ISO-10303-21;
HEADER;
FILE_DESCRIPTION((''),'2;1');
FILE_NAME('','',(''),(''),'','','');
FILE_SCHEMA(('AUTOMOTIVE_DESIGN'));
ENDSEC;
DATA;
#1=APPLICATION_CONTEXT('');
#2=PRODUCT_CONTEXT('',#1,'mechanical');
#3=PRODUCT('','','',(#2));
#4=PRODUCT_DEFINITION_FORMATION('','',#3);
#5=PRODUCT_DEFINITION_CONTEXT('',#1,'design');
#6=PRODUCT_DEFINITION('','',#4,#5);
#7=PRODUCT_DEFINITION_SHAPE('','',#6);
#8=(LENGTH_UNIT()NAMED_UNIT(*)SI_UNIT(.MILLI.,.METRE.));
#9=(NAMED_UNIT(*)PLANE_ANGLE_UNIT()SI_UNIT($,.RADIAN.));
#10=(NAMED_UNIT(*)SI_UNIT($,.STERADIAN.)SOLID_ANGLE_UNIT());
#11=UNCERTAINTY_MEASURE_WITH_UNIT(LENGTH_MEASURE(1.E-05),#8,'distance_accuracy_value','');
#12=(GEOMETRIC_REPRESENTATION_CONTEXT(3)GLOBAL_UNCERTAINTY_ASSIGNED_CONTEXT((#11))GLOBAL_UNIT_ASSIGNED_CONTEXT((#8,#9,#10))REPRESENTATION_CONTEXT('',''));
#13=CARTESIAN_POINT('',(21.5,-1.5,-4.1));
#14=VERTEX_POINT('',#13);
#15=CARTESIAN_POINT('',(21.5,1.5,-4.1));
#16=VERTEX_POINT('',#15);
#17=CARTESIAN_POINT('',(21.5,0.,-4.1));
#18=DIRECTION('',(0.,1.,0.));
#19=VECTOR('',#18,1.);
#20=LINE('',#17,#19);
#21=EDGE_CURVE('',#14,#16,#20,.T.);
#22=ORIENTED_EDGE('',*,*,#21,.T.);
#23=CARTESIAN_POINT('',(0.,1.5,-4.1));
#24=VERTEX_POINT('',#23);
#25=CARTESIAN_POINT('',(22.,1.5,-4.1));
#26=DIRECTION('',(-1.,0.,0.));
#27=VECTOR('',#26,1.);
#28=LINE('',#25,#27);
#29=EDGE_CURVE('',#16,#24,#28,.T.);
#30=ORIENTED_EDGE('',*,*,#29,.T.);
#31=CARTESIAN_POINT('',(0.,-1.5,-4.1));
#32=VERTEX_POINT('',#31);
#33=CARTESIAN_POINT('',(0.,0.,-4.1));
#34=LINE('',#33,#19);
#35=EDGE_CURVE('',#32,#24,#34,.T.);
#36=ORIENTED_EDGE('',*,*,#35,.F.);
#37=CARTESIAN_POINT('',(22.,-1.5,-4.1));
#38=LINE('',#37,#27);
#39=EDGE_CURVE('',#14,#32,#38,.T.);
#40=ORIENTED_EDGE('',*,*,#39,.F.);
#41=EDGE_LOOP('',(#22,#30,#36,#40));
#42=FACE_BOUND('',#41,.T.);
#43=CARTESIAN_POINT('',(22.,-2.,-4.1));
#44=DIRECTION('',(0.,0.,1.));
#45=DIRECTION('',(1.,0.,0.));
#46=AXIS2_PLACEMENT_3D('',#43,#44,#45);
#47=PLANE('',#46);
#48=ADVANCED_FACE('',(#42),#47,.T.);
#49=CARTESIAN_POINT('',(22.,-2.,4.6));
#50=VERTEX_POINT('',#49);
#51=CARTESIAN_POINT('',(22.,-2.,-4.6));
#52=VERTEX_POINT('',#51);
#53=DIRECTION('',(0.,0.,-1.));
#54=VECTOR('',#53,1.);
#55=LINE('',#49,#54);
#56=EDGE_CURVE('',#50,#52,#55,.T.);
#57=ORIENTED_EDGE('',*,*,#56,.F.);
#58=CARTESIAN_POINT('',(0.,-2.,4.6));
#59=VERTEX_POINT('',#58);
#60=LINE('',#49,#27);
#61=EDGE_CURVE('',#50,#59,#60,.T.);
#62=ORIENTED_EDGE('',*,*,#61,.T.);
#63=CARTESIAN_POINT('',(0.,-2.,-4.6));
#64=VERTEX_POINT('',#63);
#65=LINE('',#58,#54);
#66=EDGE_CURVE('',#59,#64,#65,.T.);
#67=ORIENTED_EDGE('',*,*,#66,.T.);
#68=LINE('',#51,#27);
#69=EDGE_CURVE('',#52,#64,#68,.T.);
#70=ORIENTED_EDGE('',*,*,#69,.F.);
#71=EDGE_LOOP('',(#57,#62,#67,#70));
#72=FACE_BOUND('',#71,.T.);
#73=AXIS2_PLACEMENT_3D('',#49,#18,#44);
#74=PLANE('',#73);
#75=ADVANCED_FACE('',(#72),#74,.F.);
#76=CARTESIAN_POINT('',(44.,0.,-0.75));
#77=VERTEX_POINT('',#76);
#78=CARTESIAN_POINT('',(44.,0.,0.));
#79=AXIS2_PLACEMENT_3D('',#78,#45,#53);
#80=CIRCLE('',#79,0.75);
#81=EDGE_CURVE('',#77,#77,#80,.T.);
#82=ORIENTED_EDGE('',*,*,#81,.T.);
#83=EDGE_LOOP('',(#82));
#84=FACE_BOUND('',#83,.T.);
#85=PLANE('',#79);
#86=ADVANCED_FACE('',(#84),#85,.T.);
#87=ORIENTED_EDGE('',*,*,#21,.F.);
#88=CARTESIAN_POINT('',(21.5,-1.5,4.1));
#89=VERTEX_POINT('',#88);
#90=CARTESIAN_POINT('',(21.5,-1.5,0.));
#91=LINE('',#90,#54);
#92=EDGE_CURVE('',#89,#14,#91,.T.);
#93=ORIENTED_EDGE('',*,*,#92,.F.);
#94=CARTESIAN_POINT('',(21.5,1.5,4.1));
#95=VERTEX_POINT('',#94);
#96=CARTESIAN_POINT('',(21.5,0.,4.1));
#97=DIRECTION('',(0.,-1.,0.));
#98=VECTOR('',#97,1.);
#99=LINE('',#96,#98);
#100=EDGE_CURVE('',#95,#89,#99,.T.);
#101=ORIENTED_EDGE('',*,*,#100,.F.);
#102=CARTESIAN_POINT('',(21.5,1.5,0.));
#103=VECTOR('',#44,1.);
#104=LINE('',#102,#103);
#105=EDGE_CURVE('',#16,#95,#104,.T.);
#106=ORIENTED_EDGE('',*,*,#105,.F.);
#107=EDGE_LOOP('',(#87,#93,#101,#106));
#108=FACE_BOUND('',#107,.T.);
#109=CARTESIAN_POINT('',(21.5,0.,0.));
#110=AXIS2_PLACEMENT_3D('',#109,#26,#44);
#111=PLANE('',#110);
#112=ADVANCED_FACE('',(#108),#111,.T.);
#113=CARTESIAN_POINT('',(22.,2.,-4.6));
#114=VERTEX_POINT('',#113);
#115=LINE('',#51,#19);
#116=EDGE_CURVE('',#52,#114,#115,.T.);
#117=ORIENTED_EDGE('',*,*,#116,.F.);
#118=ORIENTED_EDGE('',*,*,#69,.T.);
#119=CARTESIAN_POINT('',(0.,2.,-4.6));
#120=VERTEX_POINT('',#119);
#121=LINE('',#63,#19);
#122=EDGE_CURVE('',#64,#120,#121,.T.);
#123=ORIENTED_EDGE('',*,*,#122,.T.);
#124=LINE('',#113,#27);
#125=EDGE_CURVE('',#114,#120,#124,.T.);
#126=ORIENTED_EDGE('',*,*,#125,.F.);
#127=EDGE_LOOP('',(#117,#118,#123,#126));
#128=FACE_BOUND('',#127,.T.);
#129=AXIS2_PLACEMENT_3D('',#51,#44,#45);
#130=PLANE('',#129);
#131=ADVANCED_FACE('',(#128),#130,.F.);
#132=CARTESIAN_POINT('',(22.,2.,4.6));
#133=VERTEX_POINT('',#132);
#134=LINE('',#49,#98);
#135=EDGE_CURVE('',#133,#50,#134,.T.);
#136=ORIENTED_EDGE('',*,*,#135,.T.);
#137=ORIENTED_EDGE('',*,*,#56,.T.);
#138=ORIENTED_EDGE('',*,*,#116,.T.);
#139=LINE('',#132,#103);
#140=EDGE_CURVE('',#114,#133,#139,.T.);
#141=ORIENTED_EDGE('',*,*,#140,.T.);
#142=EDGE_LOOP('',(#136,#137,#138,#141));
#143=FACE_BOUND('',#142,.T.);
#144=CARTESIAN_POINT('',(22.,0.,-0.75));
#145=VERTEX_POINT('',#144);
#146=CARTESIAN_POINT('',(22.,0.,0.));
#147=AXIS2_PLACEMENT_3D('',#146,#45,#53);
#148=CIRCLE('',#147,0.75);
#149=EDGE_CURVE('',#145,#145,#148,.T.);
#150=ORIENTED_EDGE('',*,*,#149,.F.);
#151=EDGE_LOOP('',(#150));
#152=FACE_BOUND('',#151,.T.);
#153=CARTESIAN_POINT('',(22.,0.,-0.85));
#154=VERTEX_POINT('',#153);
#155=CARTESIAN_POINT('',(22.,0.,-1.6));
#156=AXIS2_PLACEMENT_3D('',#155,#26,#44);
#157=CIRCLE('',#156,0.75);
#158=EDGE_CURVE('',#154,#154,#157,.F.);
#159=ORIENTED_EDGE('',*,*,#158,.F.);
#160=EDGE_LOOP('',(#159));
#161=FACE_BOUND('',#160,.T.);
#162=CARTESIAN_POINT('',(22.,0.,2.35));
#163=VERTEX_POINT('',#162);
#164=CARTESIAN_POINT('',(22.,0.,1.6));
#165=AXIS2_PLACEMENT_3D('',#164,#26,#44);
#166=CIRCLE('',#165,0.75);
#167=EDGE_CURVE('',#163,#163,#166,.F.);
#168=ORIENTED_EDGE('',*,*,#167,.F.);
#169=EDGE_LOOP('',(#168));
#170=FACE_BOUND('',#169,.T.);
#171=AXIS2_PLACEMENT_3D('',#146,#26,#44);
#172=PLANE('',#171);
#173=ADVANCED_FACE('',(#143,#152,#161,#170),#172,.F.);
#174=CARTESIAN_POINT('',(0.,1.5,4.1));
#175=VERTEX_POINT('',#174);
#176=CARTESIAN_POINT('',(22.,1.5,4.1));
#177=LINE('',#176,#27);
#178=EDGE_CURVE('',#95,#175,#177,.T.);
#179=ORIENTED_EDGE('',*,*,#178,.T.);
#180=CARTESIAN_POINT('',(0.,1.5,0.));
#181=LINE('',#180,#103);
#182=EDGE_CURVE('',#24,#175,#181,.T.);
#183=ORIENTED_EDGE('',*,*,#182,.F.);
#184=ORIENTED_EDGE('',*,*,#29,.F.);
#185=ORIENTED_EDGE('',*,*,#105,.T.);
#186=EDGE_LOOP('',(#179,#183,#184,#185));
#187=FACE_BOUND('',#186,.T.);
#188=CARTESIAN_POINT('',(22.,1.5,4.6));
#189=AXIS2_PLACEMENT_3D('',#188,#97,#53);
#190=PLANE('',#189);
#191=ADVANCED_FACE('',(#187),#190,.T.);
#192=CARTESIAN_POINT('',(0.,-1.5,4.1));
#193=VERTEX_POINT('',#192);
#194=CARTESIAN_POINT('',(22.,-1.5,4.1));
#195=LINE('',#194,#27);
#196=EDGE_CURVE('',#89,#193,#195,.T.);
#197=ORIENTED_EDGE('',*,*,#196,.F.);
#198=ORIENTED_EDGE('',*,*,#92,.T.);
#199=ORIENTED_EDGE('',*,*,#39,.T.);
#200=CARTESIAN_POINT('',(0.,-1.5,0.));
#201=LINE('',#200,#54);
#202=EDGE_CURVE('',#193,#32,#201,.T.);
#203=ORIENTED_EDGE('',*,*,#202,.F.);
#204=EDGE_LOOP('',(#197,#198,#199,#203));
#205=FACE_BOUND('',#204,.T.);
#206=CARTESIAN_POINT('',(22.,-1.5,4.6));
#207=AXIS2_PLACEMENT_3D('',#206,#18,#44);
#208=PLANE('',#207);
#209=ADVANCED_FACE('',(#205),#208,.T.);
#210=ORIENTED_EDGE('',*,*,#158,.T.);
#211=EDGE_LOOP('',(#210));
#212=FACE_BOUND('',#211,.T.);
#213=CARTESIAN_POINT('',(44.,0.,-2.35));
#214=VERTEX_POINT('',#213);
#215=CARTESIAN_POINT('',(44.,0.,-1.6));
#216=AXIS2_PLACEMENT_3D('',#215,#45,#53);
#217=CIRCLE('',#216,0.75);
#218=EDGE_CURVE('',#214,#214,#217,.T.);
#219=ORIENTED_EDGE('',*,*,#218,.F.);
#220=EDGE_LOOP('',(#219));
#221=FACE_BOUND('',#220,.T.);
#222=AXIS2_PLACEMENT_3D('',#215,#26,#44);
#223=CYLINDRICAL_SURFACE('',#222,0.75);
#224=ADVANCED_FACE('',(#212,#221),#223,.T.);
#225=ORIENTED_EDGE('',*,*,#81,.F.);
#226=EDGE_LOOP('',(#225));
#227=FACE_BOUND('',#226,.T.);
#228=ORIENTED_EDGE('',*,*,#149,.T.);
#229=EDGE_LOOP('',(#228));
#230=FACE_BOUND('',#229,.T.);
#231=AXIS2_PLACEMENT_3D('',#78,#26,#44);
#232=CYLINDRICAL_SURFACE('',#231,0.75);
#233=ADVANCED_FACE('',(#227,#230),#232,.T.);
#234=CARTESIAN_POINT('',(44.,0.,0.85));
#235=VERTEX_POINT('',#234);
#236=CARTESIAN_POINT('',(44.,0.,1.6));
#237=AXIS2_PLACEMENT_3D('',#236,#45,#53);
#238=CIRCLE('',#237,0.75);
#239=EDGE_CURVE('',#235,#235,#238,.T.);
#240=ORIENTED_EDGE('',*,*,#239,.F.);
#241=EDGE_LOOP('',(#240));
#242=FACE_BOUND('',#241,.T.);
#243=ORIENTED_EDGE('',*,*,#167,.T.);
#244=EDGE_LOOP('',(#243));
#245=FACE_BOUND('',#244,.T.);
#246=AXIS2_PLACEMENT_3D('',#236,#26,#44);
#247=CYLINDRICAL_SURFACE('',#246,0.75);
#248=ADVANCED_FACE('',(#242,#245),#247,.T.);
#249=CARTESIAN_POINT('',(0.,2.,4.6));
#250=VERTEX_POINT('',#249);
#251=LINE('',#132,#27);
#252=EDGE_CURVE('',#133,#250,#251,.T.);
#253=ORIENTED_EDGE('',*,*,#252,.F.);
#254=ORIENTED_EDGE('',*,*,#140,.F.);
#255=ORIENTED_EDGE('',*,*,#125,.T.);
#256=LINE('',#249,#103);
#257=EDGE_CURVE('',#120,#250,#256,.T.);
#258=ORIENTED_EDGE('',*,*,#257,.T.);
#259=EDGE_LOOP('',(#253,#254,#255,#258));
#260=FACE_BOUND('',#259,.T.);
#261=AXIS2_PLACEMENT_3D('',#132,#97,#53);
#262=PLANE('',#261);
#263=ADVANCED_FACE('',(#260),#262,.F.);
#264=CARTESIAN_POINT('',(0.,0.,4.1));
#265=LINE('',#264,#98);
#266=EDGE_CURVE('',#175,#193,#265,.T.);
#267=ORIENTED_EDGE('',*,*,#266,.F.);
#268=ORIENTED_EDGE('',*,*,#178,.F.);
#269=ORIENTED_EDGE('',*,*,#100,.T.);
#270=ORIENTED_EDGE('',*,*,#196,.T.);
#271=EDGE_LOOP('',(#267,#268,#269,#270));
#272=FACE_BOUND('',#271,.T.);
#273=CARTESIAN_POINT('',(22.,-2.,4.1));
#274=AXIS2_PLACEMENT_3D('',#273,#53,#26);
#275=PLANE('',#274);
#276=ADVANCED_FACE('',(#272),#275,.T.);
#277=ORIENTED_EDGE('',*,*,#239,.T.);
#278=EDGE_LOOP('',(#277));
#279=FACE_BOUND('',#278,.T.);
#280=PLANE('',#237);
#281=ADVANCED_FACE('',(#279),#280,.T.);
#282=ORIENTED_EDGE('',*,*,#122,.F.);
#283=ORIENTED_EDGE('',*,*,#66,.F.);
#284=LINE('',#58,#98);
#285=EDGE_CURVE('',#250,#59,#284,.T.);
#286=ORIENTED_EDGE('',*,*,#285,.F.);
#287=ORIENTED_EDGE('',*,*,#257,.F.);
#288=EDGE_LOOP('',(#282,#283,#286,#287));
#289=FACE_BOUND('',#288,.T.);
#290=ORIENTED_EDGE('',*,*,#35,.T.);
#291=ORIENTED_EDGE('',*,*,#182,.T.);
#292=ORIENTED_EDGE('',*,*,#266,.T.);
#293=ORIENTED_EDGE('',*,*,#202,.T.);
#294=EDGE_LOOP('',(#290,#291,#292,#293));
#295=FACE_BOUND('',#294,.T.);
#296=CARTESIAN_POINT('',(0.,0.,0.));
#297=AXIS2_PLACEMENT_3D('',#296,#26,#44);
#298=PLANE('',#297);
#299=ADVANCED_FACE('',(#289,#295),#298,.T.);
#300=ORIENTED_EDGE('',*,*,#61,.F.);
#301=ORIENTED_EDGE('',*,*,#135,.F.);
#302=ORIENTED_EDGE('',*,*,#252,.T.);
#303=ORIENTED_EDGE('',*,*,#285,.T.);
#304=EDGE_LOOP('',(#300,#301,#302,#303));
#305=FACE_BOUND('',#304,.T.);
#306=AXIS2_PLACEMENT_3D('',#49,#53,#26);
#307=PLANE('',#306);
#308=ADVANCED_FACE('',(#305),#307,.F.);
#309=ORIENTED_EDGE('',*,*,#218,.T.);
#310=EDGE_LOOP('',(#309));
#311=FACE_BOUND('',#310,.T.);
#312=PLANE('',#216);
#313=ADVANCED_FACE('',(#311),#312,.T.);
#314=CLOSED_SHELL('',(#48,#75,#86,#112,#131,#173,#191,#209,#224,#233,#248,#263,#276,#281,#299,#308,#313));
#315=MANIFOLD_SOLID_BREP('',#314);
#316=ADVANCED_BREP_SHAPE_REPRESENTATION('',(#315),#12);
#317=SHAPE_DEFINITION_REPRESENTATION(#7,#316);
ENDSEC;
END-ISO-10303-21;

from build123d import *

# Parameters (mm, degrees)
SKETCH1_W           = 9.2
SKETCH1_H           = 4
BOSS_EXTRUDE1_DEPTH = 22
SHELL1_T            = -0.5
SKETCH2_2_R         = 0.75
BOSS_EXTRUDE2_DEPTH = 22


with BuildPart() as part:
    # Sketch1 → Boss-Extrude1 (new body)
    with BuildSketch(Plane(origin=(0, 0, 0), x_dir=(0, 0, -1), z_dir=(1, 0, 0))):
        Rectangle(SKETCH1_W, SKETCH1_H)
    extrude(amount=BOSS_EXTRUDE1_DEPTH)

    # Shell1
    shell1_openings = [part.faces().sort_by_distance(p)[0] for p in [
        (0, 0, 0),
    ]]
    offset(amount=SHELL1_T, openings=shell1_openings, kind=Kind.INTERSECTION)

    # Sketch2<2> → Boss-Extrude2 (add)
    with BuildSketch(Plane(origin=(22, 0, 0), x_dir=(0, 0, -1), z_dir=(1, 0, 0))):
        Circle(SKETCH2_2_R)
        with Locations((-1.6, 0)):
            Circle(SKETCH2_2_R)
        with Locations((1.6, 0)):
            Circle(SKETCH2_2_R)
    extrude(amount=BOSS_EXTRUDE2_DEPTH)


solid = part.part
